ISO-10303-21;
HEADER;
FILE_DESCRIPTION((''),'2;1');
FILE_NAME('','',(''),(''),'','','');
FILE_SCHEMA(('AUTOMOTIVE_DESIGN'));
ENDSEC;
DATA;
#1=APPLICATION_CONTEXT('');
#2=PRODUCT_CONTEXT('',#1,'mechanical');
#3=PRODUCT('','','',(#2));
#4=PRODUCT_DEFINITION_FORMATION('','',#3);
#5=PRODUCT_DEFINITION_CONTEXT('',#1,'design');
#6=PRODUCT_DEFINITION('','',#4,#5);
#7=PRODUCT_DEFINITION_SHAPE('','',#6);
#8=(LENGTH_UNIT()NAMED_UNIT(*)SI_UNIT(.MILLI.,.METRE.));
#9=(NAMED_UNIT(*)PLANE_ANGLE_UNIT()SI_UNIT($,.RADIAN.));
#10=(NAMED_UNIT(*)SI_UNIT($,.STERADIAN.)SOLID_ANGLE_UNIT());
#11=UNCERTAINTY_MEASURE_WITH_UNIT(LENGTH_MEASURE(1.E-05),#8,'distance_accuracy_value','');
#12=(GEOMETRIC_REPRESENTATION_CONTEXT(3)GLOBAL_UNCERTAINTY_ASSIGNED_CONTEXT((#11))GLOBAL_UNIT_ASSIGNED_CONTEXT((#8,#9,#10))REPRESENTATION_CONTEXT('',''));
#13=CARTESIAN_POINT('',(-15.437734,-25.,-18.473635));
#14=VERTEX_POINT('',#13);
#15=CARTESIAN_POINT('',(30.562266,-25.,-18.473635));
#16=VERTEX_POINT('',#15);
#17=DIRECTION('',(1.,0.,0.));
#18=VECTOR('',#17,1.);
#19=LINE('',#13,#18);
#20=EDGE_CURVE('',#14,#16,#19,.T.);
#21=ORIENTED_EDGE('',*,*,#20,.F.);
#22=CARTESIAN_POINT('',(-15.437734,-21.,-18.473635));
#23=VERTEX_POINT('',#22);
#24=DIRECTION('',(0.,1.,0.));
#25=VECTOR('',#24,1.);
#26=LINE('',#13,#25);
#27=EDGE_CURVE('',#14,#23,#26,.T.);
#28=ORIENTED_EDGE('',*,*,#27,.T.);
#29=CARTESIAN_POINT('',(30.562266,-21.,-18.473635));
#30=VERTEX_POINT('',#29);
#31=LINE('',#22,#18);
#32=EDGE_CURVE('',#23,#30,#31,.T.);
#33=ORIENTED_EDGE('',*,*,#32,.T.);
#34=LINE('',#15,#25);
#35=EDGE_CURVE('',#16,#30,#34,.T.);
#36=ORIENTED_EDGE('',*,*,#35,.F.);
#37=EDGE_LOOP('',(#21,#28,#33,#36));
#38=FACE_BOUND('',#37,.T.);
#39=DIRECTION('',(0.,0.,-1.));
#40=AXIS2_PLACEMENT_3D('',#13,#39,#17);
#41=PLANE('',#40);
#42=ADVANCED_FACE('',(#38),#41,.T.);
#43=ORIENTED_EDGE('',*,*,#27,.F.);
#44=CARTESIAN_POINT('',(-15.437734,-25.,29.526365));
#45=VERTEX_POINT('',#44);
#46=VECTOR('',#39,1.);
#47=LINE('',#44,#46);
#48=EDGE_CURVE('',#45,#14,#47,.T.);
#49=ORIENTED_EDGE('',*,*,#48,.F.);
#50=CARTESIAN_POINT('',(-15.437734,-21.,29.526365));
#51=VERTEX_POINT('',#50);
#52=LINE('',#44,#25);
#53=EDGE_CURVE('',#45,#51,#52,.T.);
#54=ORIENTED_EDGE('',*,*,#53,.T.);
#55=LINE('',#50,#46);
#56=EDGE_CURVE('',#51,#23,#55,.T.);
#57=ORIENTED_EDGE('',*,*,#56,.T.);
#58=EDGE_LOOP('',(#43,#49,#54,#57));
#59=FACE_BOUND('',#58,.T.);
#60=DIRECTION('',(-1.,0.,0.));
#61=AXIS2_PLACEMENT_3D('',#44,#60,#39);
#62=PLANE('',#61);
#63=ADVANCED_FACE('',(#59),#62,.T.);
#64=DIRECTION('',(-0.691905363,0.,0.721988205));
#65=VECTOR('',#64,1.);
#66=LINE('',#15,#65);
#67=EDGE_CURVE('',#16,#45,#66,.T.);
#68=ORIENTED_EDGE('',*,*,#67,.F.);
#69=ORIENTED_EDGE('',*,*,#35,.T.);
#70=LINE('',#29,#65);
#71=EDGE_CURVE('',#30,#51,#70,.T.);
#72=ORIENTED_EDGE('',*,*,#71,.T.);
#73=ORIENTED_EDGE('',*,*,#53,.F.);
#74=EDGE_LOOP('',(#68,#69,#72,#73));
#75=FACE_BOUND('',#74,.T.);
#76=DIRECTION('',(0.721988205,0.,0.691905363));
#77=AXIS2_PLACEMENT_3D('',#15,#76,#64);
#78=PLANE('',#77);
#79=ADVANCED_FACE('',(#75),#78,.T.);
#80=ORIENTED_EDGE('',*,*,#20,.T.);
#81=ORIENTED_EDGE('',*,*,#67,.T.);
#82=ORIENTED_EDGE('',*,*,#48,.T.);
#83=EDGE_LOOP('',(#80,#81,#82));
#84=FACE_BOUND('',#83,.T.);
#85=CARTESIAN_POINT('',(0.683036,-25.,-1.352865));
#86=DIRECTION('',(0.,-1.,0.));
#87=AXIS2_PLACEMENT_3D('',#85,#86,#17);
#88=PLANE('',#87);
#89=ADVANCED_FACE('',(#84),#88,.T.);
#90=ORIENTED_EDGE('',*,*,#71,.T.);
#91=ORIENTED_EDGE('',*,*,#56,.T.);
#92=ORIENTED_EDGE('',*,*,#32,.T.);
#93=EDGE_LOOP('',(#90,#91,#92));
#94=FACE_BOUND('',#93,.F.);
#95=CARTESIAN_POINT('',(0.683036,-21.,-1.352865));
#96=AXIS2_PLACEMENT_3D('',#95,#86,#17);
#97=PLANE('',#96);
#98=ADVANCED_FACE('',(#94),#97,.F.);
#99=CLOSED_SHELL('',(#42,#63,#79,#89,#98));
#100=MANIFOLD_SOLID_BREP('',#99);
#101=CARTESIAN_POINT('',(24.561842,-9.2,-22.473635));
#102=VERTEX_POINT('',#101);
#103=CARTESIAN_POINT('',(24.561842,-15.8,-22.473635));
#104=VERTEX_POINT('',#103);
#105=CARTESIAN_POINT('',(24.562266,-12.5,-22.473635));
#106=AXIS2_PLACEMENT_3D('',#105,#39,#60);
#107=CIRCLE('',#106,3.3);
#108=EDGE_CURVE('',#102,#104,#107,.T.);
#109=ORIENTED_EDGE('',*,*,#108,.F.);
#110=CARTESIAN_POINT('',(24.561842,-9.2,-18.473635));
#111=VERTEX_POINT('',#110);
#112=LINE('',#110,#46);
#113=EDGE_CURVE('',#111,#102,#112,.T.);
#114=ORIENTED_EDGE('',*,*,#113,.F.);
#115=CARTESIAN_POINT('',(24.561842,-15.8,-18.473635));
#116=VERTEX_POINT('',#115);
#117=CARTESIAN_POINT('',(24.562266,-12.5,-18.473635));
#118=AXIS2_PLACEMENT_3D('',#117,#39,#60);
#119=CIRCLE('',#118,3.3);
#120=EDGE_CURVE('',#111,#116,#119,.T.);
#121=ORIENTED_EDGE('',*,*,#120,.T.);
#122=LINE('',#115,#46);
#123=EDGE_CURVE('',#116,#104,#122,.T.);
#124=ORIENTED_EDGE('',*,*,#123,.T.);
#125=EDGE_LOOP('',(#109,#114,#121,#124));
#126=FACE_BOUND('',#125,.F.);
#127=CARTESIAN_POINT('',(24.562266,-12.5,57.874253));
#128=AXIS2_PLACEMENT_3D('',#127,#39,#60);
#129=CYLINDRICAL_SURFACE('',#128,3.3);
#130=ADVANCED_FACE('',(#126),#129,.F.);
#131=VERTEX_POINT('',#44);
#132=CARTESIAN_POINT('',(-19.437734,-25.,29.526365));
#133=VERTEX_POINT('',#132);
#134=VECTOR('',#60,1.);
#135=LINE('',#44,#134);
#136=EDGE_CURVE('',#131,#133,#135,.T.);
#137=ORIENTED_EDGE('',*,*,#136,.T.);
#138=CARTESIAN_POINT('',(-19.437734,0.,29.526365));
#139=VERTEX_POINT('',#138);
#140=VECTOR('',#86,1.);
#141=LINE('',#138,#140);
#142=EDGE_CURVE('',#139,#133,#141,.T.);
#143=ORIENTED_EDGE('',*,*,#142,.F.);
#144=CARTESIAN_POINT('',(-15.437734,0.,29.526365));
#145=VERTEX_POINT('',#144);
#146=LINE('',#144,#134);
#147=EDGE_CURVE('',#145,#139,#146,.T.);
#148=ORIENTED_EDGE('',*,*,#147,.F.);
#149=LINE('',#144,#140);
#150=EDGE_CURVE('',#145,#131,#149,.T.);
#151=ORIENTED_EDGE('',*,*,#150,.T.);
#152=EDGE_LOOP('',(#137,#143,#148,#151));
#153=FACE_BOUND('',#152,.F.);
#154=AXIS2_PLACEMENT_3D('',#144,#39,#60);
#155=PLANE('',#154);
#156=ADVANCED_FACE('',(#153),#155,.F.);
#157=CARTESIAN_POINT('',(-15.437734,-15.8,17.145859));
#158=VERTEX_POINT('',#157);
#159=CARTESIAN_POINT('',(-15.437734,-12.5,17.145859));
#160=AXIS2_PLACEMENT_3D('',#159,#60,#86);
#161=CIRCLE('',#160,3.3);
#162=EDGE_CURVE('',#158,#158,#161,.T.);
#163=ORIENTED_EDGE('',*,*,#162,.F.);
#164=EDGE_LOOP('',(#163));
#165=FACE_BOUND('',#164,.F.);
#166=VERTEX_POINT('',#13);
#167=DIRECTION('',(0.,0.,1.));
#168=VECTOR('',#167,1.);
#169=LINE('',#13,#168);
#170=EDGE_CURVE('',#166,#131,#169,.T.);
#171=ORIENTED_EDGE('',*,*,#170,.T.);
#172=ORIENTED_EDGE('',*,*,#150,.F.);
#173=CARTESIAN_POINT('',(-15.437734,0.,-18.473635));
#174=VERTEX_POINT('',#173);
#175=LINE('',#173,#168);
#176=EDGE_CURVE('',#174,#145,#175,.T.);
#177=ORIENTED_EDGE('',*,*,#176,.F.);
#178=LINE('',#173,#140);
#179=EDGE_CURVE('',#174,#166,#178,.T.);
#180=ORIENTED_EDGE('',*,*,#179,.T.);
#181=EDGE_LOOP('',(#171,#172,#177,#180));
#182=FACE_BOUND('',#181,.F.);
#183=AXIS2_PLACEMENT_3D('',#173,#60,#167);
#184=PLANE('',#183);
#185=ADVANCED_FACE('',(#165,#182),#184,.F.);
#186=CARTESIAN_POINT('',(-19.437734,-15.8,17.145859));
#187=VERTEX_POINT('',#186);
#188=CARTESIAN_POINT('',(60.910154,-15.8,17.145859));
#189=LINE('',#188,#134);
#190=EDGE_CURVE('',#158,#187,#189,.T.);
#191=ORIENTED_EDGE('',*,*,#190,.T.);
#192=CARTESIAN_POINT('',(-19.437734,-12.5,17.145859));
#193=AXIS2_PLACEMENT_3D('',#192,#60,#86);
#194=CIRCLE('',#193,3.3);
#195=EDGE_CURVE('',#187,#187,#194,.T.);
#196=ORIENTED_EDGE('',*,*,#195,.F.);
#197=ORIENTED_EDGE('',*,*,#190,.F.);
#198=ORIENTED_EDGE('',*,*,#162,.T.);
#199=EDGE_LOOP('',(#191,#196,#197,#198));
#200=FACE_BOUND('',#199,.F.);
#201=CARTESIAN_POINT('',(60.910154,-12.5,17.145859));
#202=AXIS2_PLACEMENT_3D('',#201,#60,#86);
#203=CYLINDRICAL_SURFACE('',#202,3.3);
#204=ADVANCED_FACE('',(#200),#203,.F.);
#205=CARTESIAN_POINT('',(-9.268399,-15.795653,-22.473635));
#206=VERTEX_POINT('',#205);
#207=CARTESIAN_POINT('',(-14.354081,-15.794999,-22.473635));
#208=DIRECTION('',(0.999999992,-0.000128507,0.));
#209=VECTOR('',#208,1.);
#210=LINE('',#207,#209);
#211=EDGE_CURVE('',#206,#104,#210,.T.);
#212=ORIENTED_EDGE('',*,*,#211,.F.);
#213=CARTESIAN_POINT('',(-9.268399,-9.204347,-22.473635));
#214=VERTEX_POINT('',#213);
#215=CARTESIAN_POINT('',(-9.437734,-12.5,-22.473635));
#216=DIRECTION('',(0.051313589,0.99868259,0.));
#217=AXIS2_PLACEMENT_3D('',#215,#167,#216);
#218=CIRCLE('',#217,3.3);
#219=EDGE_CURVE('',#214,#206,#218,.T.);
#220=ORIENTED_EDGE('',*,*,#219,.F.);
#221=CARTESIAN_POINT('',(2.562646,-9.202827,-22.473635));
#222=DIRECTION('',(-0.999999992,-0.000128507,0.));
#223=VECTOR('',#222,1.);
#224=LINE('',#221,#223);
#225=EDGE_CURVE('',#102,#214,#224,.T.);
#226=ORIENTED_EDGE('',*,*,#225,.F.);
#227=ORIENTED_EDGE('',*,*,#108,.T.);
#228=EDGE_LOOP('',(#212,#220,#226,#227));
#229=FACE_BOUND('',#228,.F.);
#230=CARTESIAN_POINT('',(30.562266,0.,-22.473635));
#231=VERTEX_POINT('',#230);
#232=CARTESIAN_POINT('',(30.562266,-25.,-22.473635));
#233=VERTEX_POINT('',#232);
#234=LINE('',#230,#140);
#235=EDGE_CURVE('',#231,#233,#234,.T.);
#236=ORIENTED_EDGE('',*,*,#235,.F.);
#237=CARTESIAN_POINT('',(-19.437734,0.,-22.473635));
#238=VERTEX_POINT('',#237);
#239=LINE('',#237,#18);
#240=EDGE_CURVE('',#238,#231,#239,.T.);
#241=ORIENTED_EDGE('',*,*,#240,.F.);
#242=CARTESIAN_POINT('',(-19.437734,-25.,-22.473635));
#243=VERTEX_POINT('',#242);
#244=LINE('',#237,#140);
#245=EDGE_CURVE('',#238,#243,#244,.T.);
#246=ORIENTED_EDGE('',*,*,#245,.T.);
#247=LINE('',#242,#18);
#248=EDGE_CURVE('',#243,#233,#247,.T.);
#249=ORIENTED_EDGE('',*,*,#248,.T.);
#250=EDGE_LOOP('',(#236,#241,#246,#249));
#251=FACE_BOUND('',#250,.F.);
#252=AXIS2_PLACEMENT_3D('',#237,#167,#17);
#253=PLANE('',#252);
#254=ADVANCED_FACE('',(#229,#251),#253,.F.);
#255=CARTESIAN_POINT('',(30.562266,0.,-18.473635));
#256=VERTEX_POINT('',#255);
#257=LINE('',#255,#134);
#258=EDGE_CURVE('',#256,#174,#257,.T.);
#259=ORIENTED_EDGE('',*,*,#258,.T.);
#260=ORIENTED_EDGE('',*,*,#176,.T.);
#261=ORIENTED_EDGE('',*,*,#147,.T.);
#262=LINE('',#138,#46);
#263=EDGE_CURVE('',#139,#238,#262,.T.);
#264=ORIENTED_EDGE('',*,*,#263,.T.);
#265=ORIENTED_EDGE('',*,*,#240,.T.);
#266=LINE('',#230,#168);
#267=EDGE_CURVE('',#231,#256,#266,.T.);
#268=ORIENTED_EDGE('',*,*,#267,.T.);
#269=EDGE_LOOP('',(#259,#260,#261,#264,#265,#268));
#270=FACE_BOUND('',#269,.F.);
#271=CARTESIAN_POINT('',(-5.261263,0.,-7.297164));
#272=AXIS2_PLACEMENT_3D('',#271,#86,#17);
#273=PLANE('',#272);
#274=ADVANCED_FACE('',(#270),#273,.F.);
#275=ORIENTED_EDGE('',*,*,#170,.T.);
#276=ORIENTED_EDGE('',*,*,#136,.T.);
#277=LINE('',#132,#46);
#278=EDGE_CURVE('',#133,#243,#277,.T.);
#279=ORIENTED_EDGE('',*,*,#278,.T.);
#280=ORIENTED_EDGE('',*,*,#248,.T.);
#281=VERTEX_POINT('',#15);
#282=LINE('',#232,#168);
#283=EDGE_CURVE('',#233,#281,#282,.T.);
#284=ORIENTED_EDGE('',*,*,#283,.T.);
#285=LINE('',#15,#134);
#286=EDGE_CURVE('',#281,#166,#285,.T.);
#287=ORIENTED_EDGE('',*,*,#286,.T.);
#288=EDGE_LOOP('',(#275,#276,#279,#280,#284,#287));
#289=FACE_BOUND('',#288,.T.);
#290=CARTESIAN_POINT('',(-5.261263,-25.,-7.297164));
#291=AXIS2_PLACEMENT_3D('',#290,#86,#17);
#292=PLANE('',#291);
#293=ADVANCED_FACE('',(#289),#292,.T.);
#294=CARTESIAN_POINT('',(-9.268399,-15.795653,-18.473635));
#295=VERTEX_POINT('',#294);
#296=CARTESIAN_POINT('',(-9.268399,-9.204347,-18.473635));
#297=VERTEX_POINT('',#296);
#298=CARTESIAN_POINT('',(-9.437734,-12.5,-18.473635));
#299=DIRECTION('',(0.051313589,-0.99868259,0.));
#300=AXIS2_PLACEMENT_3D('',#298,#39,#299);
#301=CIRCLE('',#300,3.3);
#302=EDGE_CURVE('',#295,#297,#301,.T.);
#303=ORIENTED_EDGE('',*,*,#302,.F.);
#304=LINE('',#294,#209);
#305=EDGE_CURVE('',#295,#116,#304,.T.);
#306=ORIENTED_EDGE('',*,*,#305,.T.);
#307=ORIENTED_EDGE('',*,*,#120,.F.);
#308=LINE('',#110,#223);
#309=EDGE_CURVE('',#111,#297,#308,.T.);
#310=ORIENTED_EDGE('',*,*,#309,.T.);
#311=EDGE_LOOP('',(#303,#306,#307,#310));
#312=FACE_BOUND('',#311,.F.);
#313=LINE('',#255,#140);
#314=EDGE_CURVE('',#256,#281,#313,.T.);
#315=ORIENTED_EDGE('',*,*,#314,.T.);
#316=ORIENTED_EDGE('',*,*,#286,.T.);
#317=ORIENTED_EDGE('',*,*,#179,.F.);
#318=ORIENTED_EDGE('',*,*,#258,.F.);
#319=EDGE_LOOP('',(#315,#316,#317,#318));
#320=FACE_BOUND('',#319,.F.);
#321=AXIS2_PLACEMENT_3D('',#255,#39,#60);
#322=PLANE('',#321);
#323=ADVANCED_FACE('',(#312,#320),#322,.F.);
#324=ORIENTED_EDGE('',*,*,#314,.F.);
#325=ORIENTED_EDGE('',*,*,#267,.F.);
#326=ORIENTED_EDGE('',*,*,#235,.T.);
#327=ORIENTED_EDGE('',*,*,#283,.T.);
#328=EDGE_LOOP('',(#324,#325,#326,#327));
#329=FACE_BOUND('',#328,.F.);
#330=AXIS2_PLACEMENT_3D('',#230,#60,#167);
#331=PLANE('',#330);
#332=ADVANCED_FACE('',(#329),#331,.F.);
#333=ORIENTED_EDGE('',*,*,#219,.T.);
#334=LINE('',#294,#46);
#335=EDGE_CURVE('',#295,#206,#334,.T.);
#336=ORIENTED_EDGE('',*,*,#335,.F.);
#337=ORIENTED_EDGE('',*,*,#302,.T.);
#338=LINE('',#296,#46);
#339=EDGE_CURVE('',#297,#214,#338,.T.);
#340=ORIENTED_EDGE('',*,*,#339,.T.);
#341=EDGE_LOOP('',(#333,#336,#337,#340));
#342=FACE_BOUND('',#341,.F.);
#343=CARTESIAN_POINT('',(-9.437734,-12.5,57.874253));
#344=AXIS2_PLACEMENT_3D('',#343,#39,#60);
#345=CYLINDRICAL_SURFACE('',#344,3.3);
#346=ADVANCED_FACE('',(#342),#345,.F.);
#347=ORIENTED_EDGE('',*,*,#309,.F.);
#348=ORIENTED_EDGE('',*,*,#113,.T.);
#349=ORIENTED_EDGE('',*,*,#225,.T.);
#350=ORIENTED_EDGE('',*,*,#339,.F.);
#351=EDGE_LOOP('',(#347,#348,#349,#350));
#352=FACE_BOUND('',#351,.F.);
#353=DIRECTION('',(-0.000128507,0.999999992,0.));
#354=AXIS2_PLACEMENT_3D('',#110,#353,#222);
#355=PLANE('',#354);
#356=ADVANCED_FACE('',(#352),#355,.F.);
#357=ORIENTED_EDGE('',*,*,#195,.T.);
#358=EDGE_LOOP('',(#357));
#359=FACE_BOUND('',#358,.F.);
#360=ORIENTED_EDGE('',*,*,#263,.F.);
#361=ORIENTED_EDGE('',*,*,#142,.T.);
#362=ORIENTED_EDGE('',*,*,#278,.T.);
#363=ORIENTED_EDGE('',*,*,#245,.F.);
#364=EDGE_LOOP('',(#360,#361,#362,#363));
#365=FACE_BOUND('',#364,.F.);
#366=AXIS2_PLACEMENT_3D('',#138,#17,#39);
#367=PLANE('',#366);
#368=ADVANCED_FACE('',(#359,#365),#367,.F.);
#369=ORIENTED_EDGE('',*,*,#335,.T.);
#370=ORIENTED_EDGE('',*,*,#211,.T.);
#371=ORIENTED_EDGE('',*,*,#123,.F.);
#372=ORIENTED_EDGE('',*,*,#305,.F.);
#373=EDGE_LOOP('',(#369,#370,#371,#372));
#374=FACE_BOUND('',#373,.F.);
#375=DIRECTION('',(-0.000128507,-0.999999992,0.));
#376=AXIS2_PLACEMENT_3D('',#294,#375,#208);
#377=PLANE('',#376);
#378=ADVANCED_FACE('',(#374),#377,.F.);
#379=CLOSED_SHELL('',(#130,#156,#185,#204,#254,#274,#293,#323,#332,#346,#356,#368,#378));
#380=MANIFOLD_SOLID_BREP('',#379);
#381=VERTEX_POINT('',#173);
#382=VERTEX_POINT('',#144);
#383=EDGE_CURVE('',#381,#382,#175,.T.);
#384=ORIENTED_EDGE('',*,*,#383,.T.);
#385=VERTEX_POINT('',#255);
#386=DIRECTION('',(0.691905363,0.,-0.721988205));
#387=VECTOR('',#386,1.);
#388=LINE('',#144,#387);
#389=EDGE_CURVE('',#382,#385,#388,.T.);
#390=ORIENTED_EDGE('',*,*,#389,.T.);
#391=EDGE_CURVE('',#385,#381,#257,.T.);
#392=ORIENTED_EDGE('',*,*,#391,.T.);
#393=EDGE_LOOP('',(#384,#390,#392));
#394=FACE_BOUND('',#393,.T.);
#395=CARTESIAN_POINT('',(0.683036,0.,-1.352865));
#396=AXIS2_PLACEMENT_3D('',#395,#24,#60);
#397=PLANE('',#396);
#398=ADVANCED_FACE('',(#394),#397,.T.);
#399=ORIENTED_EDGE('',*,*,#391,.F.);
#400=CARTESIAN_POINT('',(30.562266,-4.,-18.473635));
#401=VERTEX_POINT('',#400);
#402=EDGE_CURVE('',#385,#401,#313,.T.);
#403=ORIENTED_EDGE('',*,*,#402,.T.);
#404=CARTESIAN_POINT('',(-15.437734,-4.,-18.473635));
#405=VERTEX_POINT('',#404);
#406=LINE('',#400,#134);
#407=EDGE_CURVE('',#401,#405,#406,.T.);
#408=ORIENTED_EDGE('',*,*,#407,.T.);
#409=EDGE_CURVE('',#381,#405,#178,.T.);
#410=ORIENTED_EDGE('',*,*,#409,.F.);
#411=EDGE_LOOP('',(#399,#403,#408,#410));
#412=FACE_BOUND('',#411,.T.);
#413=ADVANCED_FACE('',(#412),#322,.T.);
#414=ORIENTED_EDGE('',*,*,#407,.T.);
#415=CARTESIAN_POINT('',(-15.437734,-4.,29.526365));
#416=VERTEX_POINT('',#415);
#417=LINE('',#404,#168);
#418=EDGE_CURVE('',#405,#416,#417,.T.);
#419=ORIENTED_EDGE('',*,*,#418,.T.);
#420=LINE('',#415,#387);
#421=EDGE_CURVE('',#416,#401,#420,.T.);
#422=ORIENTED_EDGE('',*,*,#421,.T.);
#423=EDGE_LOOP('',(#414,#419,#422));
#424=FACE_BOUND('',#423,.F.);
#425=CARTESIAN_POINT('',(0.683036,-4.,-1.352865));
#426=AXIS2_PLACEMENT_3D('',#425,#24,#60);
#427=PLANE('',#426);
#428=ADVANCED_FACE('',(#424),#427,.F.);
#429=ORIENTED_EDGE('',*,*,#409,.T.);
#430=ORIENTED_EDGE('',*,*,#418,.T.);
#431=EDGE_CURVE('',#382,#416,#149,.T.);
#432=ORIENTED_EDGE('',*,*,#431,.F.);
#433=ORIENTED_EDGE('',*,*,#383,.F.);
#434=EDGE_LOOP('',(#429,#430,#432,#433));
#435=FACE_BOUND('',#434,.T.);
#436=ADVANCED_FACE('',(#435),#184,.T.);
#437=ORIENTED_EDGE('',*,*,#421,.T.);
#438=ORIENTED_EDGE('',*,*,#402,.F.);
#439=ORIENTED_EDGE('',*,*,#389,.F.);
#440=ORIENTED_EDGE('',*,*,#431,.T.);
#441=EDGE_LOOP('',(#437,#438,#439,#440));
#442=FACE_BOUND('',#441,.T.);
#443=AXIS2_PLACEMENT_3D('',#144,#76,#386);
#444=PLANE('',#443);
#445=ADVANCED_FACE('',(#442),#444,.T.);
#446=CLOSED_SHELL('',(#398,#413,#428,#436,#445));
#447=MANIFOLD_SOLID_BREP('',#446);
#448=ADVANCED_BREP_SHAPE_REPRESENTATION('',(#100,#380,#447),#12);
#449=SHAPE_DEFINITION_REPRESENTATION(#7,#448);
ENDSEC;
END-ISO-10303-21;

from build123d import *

# Parameters (mm, degrees)
F1_DEPTH  = 25
F3_DEPTH  = 4
F5_DEPTH  = 4
F7_D      = 6.6
F9_D      = 6.6
F11_DEPTH = 25


with BuildPart() as f1:
    # F0 (on Front) → F1 (new body)
    with BuildSketch(Plane.XZ):
        Polygon((-15.4377336651, 29.5263652645), (-19.4377336651, 29.5263652645), (-19.4377336651, -22.4736347355), (30.5622663349, -22.4736347355), (30.5622663349, -18.4736347355), (-15.4377336651, -18.4736347355), align=None)
    extrude(amount=F1_DEPTH)

    # F7 (through all)
    with Locations(Plane.YZ.offset(-15.4377336651)):
        with Locations((-12.5, 17.1458590776)):
            Hole(F7_D / 2)

    # F9 (through all)
    with Locations(Plane.XY.offset(-18.4736347355)):
        with Locations((-9.4377336651, -12.5), (24.5622663349, -12.5)):
            Hole(F9_D / 2)

    # F10 (on face) → F11 (cut)
    with BuildSketch(Plane.XY.offset(-18.4736347355)):
        with BuildLine():
            ThreePointArc((-6.1377336651, -12.5), (-7.0451613068, -14.7727950876), (-9.2683988227, -15.7956525471))
            Line((-9.2683988227, -15.7956525471), (24.5618422615, -15.7999999728))
            ThreePointArc((24.5618422615, -15.7999999728), (21.2622663349, -12.5), (24.5618422615, -9.2000000272))
            Line((24.5618422615, -9.2000000272), (-9.2683988227, -9.2043474529))
            ThreePointArc((-9.2683988227, -9.2043474529), (-7.0451613068, -10.2272049124), (-6.1377336651, -12.5))
        make_face()
    extrude(amount=-F11_DEPTH, mode=Mode.SUBTRACT)


with BuildPart() as f3:
    # F2 (on face) → F3 (new body)
    with BuildSketch(Plane.XZ.offset(25)):
        Polygon((30.5622663349, -18.4736347355), (-15.4377336651, 29.5263652645), (-15.4377336651, -18.4736347355), align=None)
    extrude(amount=-F3_DEPTH)


with BuildPart() as f5:
    # F4 (on face) → F5 (new body)
    with BuildSketch(Plane(origin=(0, 0, 0), x_dir=(-1, 0, 0), z_dir=(0, 1, 0))):
        Polygon((15.4377336651, -18.4736347355), (15.4377336651, 29.5263652645), (-30.5622663349, -18.4736347355), align=None)
    extrude(amount=-F5_DEPTH)


solid = Compound([f1.part, f3.part, f5.part])
